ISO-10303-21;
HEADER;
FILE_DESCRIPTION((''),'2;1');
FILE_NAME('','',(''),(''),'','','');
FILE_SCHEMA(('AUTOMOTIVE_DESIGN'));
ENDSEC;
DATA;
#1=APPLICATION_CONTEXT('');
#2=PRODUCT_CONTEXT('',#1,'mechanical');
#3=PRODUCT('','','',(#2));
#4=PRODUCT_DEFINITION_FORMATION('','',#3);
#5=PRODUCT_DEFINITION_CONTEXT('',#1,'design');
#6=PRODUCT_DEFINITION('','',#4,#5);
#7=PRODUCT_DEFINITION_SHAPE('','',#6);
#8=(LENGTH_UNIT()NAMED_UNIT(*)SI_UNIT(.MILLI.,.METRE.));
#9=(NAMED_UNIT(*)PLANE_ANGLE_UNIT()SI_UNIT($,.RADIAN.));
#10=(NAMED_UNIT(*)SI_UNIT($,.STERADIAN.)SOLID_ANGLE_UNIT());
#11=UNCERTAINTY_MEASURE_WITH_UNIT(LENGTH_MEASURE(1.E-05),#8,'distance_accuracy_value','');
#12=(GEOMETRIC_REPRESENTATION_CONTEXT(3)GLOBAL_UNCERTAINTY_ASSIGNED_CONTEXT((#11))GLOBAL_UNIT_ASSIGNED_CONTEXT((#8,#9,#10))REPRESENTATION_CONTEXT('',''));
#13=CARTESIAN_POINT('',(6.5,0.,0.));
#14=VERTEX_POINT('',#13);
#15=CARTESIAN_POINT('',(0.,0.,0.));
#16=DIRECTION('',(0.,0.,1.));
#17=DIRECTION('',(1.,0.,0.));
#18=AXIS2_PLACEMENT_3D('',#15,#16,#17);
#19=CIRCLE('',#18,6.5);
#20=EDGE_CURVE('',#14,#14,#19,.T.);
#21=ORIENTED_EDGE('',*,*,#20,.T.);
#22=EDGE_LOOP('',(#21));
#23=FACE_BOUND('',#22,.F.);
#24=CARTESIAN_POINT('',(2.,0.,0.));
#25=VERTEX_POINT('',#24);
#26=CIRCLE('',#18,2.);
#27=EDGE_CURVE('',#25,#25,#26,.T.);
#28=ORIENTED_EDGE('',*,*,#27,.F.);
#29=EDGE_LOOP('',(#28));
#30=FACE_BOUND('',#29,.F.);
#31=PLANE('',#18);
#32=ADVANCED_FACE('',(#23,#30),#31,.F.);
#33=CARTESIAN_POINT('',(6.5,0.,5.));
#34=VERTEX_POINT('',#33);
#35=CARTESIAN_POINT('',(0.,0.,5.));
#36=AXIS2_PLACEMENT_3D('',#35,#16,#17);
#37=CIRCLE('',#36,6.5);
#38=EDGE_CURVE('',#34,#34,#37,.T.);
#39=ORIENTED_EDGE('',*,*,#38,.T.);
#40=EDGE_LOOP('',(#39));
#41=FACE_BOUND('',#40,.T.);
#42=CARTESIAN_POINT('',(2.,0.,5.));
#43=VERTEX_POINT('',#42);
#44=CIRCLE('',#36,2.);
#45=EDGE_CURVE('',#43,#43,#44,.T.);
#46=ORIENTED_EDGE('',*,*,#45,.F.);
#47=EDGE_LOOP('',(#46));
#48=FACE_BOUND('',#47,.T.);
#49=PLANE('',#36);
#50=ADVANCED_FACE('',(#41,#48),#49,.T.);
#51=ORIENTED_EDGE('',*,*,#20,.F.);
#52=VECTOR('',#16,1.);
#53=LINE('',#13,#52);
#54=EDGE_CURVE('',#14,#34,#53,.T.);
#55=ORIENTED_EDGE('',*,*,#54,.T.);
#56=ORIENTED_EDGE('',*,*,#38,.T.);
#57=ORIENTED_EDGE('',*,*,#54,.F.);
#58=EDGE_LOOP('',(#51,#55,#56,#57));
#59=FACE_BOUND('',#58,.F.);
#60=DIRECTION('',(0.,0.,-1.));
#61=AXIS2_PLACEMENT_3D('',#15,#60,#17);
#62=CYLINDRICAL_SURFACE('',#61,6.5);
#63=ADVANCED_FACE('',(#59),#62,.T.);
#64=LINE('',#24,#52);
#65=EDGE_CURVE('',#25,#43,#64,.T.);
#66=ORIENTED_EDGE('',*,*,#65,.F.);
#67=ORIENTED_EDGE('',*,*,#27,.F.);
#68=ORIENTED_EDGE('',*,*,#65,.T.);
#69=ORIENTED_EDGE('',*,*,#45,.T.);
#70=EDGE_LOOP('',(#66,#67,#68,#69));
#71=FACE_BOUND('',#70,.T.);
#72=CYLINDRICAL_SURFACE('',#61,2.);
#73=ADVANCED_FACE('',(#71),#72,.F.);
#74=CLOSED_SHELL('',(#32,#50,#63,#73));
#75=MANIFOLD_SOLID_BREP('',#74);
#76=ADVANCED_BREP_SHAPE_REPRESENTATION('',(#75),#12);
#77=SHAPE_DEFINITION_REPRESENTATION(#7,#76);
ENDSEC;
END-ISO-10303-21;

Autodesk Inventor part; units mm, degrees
ref_plane "YZ Plane" through (0, 0, 0) normal (1, 0, 0) x (0, 1, 0)
ref_plane "XZ Plane" through (0, 0, 0) normal (0, 1, 0) x (-1, 0, 0)
ref_plane "XY Plane" through (0, 0, 0) normal (0, 0, 1) x (1, 0, 0)
sketch "Sketch1" plane through (0, 0, 0) normal (0, 0, 1) x (1, 0, 0)
  circle A0 centre (0, 0) radius 6.5
  circle A1 centre (0, 0) radius 2
  dimension "d0" = 13
  dimension "d2" = 4
extrude "Extrusion1" add sketch "Sketch1" along normal blind 5
properties part number "bearing 4mmx13mmx5mm"
